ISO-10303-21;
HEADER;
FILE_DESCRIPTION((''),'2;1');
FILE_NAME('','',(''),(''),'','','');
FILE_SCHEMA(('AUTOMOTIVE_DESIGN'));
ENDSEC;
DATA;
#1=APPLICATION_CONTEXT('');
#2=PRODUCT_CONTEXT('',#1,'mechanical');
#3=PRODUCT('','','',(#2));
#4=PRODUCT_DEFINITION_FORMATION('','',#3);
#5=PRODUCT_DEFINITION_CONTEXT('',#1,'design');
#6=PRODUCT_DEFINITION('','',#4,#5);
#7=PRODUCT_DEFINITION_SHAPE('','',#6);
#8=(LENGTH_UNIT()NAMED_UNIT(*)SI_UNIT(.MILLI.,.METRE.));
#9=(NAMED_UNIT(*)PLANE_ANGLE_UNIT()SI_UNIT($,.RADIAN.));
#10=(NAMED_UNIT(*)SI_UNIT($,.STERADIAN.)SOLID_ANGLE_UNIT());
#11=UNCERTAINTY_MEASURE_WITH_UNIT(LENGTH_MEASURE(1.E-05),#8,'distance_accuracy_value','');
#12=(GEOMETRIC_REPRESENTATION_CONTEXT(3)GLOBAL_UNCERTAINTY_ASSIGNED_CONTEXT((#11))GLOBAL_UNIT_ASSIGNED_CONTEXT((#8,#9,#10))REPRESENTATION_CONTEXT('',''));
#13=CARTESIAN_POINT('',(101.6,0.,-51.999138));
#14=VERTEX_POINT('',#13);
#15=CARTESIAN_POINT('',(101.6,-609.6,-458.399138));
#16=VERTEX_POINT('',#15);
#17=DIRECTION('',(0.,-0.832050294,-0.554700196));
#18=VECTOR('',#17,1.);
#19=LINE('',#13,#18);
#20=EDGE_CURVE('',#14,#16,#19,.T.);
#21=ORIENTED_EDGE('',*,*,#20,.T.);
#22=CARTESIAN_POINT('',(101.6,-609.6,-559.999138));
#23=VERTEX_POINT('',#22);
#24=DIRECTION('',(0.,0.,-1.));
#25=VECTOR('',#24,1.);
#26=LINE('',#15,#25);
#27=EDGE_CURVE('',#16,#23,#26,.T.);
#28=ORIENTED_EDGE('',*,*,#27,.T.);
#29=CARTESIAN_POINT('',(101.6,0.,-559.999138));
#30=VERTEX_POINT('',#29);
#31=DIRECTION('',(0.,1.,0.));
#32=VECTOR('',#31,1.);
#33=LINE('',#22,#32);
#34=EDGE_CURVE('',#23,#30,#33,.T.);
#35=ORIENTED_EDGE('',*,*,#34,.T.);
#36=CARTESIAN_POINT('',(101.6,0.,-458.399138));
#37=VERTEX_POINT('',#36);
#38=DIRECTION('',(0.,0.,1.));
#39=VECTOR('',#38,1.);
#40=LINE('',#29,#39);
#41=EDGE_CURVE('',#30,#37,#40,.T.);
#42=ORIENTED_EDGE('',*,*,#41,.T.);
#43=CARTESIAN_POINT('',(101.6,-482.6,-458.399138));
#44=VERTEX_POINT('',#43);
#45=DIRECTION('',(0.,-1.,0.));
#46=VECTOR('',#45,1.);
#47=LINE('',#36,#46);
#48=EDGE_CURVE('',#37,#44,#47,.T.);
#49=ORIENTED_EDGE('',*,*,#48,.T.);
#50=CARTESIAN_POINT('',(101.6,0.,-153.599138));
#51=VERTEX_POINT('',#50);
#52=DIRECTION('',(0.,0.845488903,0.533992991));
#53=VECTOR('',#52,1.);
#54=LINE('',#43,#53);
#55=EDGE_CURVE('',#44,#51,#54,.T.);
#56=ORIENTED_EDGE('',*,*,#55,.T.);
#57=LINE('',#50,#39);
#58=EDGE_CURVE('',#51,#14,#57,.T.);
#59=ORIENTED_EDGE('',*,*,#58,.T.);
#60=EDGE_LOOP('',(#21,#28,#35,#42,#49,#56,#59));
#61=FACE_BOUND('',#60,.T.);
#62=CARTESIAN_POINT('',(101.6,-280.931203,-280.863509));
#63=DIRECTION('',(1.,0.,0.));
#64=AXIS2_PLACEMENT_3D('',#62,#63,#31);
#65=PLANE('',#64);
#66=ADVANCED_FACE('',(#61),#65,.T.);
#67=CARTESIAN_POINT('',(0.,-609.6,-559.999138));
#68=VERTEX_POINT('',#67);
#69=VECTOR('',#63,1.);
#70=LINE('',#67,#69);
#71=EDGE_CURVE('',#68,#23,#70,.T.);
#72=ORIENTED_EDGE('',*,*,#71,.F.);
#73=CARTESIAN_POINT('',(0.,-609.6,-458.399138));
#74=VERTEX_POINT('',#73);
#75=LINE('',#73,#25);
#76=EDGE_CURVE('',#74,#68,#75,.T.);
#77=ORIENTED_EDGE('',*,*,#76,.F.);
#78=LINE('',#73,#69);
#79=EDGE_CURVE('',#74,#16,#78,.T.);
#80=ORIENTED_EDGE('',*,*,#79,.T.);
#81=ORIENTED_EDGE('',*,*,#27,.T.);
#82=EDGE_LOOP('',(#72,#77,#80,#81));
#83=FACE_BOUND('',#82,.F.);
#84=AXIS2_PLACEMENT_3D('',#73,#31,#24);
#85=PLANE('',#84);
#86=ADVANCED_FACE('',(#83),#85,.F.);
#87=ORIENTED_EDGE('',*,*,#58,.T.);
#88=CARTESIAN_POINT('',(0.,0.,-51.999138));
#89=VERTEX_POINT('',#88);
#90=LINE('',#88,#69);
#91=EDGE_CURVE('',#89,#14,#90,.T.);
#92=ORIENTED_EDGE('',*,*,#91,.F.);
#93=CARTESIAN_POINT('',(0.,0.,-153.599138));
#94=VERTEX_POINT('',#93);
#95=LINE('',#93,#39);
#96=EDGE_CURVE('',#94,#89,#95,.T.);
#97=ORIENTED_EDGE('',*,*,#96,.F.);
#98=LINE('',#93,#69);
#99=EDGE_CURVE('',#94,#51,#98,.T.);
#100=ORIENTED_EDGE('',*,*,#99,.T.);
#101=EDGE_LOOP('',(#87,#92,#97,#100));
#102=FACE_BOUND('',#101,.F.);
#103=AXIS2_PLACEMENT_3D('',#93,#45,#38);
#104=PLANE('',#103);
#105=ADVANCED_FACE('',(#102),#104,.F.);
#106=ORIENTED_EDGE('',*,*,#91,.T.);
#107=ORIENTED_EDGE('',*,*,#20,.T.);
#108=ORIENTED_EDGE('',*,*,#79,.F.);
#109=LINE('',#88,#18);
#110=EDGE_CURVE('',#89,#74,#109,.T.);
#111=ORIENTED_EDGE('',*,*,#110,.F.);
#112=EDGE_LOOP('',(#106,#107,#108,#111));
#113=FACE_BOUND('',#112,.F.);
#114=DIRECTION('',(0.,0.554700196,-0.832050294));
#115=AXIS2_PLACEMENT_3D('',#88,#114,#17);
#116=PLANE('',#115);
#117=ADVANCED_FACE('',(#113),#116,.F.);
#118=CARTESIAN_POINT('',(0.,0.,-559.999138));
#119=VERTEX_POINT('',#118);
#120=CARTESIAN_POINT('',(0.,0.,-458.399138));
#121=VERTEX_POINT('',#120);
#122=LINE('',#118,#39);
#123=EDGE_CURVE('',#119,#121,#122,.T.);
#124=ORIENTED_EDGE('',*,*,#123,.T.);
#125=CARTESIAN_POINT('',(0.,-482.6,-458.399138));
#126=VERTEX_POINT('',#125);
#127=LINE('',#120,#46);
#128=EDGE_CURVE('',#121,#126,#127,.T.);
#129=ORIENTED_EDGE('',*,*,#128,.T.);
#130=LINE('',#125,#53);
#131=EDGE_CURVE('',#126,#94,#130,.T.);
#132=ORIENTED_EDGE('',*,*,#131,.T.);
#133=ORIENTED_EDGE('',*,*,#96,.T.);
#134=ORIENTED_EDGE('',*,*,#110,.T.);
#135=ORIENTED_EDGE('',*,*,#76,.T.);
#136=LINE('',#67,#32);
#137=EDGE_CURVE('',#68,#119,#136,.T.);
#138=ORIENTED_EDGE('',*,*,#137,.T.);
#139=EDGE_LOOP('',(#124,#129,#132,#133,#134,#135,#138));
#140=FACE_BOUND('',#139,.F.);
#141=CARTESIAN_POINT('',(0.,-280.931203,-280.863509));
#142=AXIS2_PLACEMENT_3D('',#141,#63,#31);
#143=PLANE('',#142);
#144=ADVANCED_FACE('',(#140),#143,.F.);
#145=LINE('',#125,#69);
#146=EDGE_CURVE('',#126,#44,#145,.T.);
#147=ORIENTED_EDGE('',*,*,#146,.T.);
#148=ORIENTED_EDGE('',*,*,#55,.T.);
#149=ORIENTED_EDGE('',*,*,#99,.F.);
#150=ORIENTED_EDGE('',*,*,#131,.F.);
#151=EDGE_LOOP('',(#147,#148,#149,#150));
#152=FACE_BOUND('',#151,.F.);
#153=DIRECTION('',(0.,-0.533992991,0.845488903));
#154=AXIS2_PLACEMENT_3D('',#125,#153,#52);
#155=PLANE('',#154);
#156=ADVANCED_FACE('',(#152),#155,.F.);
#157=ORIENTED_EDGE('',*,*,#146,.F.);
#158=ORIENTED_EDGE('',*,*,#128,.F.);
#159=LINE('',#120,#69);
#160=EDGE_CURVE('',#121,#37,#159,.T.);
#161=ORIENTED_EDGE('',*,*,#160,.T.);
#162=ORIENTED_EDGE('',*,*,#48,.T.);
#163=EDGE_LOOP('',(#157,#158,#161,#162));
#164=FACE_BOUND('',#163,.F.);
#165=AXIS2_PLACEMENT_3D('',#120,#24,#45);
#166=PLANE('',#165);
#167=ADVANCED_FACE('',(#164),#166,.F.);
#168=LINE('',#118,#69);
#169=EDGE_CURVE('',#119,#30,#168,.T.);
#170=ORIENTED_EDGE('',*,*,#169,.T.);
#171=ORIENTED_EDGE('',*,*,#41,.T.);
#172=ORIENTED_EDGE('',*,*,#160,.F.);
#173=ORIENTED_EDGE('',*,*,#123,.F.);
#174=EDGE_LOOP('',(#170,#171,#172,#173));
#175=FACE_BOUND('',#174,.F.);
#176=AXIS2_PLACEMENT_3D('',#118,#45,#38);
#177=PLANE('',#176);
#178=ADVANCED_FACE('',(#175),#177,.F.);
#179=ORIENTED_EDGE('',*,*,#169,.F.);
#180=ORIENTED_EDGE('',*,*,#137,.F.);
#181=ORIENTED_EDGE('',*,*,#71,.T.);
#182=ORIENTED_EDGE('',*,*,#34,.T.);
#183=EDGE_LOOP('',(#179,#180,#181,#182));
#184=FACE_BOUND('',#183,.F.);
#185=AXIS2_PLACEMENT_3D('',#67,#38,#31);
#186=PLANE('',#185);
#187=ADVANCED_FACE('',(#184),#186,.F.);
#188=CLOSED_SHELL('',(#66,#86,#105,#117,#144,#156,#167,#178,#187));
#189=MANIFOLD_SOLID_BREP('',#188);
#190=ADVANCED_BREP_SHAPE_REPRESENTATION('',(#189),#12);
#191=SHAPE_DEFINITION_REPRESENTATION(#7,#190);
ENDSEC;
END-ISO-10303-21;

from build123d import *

# Parameters (mm, degrees)
F1_DEPTH = 101.6


with BuildPart() as f1:
    # F0 (on Right) → F1 (new body)
    with BuildSketch(Plane.YZ):
        Polygon((0, -51.999138), (-609.6, -458.399138), (-482.6, -458.399138), (0, -153.599138), align=None)
        Polygon((-609.6, -559.999138), (0, -559.999138), (0, -458.399138), (-482.6, -458.399138), (-609.6, -458.399138), align=None)
    extrude(amount=F1_DEPTH)


solid = f1.part
